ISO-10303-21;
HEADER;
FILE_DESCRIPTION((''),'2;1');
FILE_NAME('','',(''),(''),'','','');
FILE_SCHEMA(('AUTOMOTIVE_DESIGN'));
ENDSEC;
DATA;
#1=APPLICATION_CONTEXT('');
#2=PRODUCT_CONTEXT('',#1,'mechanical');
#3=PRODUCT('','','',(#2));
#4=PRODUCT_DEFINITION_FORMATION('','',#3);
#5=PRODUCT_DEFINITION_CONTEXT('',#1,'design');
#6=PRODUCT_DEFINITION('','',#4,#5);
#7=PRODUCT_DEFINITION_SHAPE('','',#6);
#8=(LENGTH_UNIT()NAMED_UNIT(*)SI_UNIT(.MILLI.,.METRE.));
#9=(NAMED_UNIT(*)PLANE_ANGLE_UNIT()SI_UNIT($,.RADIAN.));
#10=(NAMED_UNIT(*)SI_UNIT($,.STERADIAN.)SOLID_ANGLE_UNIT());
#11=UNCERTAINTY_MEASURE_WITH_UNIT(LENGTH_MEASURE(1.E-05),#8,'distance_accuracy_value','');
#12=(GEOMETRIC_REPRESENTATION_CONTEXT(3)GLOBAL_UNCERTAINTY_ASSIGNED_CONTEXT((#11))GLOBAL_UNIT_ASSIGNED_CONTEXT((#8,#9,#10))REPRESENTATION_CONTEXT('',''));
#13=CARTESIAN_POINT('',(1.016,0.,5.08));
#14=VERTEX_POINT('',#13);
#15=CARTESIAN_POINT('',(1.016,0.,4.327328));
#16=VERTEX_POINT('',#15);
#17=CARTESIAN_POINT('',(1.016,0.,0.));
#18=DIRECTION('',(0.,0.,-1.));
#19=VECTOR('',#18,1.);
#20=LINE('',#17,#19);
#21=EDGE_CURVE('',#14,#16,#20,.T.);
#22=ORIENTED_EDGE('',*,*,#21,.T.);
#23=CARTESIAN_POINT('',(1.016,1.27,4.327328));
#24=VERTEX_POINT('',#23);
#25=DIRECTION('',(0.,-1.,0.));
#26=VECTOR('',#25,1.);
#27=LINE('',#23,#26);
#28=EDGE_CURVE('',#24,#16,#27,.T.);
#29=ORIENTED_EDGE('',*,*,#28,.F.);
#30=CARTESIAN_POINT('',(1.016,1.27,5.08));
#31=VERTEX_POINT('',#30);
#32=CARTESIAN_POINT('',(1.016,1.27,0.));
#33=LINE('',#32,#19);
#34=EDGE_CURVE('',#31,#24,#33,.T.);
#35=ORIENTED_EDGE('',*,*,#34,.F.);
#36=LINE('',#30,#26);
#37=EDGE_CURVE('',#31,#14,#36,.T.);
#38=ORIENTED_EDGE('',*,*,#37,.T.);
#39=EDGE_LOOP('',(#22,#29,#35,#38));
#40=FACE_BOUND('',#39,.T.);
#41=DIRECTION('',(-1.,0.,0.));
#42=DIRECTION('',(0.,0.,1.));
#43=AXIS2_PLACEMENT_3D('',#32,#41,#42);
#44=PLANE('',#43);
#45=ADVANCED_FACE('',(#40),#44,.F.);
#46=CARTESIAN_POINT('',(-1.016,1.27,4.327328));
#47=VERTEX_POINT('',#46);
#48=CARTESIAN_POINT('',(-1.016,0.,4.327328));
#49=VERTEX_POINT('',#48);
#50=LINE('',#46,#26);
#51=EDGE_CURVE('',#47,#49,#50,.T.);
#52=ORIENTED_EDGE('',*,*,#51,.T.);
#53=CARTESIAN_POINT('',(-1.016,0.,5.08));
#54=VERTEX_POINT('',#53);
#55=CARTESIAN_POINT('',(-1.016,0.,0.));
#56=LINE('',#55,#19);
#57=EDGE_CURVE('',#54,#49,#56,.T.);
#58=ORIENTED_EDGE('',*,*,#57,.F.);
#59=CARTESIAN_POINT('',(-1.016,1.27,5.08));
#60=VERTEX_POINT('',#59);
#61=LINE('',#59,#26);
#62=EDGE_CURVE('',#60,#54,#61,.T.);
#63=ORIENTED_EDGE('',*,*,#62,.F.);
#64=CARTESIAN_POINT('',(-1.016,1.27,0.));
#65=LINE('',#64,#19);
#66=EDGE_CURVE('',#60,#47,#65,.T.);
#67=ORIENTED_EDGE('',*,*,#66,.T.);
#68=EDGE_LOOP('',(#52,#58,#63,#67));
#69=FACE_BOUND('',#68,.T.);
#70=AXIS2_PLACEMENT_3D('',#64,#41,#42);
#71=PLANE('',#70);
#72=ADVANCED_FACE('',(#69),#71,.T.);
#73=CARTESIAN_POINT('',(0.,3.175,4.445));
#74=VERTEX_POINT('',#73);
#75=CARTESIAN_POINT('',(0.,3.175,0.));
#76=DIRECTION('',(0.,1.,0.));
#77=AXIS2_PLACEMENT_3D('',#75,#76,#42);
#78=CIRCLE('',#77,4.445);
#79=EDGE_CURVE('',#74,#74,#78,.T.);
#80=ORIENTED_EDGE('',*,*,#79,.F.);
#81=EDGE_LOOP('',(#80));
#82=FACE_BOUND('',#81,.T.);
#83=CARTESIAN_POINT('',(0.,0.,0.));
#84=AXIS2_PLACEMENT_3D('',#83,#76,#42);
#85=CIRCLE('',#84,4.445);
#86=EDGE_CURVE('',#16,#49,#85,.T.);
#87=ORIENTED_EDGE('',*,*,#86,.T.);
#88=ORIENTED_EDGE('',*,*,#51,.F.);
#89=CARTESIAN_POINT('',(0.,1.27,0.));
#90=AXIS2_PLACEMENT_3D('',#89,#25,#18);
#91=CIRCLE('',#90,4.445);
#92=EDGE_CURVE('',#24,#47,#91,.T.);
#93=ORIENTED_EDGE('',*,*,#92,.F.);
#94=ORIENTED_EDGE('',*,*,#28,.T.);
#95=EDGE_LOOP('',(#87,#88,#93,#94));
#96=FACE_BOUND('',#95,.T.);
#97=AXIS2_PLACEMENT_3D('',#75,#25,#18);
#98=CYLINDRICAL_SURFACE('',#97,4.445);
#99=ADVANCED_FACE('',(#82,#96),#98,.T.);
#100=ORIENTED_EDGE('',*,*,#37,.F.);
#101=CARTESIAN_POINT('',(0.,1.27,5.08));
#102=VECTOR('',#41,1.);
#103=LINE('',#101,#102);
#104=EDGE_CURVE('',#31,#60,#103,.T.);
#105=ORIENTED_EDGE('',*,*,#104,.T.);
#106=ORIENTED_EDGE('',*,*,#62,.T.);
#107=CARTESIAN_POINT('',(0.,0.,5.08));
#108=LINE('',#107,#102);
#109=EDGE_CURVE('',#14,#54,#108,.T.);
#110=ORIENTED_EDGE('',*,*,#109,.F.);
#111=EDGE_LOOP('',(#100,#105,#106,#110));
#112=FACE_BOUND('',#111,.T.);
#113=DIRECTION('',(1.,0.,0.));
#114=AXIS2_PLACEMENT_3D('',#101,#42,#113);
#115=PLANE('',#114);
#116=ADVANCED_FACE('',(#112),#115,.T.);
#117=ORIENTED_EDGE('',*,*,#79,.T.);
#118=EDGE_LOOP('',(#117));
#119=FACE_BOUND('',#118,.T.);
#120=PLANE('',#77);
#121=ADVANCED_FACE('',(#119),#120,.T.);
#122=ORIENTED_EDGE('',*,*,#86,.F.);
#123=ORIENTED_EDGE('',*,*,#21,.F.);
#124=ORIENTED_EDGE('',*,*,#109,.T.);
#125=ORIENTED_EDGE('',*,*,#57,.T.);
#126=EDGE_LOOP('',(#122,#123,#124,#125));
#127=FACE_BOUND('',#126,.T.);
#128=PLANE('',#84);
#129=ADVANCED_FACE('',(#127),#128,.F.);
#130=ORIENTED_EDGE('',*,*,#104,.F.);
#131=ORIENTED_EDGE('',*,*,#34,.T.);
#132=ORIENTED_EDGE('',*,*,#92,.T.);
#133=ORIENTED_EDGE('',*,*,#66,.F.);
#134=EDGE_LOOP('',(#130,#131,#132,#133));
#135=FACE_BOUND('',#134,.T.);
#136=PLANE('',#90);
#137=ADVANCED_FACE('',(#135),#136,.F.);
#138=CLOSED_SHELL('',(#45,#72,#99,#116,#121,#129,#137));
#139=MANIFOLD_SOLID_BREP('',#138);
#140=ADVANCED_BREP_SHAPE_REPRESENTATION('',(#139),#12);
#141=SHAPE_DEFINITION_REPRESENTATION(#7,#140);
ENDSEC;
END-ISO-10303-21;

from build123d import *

# Parameters (mm, degrees)
SKETCH1_R           = 4.445
BOSS_EXTRUDE1_DEPTH = 3.175
BOSS_EXTRUDE2_DEPTH = 1.27


with BuildPart() as part:
    # Sketch1 → Boss-Extrude1 (new body)
    with BuildSketch(Plane(origin=(0, 0, 0), x_dir=(1, 0, 0), z_dir=(0, 1, 0))):
        with Locations(Location((0, 0, 0), (0, 0, 270))):
            Circle(SKETCH1_R)
    extrude(amount=BOSS_EXTRUDE1_DEPTH)

    # Sketch3 → Boss-Extrude2 (add)
    with BuildSketch(Plane.XZ):
        with BuildLine():
            Line((0, 4.445), (0, 5.08))
            Line((0, 5.08), (-1.016, 5.08))
            Line((-1.016, 5.08), (-1.016, 4.327328159))
            ThreePointArc((-1.016, 4.327328159), (-0.511395801, 4.415484043), (0, 4.445))
        make_face()
        with BuildLine():
            Line((1.016, 4.327328159), (1.016, 5.08))
            Line((1.016, 5.08), (0, 5.08))
            Line((0, 5.08), (0, 4.445))
            ThreePointArc((0, 4.445), (0.511395801, 4.415484043), (1.016, 4.327328159))
        make_face()
    extrude(amount=-BOSS_EXTRUDE2_DEPTH)


solid = part.part
